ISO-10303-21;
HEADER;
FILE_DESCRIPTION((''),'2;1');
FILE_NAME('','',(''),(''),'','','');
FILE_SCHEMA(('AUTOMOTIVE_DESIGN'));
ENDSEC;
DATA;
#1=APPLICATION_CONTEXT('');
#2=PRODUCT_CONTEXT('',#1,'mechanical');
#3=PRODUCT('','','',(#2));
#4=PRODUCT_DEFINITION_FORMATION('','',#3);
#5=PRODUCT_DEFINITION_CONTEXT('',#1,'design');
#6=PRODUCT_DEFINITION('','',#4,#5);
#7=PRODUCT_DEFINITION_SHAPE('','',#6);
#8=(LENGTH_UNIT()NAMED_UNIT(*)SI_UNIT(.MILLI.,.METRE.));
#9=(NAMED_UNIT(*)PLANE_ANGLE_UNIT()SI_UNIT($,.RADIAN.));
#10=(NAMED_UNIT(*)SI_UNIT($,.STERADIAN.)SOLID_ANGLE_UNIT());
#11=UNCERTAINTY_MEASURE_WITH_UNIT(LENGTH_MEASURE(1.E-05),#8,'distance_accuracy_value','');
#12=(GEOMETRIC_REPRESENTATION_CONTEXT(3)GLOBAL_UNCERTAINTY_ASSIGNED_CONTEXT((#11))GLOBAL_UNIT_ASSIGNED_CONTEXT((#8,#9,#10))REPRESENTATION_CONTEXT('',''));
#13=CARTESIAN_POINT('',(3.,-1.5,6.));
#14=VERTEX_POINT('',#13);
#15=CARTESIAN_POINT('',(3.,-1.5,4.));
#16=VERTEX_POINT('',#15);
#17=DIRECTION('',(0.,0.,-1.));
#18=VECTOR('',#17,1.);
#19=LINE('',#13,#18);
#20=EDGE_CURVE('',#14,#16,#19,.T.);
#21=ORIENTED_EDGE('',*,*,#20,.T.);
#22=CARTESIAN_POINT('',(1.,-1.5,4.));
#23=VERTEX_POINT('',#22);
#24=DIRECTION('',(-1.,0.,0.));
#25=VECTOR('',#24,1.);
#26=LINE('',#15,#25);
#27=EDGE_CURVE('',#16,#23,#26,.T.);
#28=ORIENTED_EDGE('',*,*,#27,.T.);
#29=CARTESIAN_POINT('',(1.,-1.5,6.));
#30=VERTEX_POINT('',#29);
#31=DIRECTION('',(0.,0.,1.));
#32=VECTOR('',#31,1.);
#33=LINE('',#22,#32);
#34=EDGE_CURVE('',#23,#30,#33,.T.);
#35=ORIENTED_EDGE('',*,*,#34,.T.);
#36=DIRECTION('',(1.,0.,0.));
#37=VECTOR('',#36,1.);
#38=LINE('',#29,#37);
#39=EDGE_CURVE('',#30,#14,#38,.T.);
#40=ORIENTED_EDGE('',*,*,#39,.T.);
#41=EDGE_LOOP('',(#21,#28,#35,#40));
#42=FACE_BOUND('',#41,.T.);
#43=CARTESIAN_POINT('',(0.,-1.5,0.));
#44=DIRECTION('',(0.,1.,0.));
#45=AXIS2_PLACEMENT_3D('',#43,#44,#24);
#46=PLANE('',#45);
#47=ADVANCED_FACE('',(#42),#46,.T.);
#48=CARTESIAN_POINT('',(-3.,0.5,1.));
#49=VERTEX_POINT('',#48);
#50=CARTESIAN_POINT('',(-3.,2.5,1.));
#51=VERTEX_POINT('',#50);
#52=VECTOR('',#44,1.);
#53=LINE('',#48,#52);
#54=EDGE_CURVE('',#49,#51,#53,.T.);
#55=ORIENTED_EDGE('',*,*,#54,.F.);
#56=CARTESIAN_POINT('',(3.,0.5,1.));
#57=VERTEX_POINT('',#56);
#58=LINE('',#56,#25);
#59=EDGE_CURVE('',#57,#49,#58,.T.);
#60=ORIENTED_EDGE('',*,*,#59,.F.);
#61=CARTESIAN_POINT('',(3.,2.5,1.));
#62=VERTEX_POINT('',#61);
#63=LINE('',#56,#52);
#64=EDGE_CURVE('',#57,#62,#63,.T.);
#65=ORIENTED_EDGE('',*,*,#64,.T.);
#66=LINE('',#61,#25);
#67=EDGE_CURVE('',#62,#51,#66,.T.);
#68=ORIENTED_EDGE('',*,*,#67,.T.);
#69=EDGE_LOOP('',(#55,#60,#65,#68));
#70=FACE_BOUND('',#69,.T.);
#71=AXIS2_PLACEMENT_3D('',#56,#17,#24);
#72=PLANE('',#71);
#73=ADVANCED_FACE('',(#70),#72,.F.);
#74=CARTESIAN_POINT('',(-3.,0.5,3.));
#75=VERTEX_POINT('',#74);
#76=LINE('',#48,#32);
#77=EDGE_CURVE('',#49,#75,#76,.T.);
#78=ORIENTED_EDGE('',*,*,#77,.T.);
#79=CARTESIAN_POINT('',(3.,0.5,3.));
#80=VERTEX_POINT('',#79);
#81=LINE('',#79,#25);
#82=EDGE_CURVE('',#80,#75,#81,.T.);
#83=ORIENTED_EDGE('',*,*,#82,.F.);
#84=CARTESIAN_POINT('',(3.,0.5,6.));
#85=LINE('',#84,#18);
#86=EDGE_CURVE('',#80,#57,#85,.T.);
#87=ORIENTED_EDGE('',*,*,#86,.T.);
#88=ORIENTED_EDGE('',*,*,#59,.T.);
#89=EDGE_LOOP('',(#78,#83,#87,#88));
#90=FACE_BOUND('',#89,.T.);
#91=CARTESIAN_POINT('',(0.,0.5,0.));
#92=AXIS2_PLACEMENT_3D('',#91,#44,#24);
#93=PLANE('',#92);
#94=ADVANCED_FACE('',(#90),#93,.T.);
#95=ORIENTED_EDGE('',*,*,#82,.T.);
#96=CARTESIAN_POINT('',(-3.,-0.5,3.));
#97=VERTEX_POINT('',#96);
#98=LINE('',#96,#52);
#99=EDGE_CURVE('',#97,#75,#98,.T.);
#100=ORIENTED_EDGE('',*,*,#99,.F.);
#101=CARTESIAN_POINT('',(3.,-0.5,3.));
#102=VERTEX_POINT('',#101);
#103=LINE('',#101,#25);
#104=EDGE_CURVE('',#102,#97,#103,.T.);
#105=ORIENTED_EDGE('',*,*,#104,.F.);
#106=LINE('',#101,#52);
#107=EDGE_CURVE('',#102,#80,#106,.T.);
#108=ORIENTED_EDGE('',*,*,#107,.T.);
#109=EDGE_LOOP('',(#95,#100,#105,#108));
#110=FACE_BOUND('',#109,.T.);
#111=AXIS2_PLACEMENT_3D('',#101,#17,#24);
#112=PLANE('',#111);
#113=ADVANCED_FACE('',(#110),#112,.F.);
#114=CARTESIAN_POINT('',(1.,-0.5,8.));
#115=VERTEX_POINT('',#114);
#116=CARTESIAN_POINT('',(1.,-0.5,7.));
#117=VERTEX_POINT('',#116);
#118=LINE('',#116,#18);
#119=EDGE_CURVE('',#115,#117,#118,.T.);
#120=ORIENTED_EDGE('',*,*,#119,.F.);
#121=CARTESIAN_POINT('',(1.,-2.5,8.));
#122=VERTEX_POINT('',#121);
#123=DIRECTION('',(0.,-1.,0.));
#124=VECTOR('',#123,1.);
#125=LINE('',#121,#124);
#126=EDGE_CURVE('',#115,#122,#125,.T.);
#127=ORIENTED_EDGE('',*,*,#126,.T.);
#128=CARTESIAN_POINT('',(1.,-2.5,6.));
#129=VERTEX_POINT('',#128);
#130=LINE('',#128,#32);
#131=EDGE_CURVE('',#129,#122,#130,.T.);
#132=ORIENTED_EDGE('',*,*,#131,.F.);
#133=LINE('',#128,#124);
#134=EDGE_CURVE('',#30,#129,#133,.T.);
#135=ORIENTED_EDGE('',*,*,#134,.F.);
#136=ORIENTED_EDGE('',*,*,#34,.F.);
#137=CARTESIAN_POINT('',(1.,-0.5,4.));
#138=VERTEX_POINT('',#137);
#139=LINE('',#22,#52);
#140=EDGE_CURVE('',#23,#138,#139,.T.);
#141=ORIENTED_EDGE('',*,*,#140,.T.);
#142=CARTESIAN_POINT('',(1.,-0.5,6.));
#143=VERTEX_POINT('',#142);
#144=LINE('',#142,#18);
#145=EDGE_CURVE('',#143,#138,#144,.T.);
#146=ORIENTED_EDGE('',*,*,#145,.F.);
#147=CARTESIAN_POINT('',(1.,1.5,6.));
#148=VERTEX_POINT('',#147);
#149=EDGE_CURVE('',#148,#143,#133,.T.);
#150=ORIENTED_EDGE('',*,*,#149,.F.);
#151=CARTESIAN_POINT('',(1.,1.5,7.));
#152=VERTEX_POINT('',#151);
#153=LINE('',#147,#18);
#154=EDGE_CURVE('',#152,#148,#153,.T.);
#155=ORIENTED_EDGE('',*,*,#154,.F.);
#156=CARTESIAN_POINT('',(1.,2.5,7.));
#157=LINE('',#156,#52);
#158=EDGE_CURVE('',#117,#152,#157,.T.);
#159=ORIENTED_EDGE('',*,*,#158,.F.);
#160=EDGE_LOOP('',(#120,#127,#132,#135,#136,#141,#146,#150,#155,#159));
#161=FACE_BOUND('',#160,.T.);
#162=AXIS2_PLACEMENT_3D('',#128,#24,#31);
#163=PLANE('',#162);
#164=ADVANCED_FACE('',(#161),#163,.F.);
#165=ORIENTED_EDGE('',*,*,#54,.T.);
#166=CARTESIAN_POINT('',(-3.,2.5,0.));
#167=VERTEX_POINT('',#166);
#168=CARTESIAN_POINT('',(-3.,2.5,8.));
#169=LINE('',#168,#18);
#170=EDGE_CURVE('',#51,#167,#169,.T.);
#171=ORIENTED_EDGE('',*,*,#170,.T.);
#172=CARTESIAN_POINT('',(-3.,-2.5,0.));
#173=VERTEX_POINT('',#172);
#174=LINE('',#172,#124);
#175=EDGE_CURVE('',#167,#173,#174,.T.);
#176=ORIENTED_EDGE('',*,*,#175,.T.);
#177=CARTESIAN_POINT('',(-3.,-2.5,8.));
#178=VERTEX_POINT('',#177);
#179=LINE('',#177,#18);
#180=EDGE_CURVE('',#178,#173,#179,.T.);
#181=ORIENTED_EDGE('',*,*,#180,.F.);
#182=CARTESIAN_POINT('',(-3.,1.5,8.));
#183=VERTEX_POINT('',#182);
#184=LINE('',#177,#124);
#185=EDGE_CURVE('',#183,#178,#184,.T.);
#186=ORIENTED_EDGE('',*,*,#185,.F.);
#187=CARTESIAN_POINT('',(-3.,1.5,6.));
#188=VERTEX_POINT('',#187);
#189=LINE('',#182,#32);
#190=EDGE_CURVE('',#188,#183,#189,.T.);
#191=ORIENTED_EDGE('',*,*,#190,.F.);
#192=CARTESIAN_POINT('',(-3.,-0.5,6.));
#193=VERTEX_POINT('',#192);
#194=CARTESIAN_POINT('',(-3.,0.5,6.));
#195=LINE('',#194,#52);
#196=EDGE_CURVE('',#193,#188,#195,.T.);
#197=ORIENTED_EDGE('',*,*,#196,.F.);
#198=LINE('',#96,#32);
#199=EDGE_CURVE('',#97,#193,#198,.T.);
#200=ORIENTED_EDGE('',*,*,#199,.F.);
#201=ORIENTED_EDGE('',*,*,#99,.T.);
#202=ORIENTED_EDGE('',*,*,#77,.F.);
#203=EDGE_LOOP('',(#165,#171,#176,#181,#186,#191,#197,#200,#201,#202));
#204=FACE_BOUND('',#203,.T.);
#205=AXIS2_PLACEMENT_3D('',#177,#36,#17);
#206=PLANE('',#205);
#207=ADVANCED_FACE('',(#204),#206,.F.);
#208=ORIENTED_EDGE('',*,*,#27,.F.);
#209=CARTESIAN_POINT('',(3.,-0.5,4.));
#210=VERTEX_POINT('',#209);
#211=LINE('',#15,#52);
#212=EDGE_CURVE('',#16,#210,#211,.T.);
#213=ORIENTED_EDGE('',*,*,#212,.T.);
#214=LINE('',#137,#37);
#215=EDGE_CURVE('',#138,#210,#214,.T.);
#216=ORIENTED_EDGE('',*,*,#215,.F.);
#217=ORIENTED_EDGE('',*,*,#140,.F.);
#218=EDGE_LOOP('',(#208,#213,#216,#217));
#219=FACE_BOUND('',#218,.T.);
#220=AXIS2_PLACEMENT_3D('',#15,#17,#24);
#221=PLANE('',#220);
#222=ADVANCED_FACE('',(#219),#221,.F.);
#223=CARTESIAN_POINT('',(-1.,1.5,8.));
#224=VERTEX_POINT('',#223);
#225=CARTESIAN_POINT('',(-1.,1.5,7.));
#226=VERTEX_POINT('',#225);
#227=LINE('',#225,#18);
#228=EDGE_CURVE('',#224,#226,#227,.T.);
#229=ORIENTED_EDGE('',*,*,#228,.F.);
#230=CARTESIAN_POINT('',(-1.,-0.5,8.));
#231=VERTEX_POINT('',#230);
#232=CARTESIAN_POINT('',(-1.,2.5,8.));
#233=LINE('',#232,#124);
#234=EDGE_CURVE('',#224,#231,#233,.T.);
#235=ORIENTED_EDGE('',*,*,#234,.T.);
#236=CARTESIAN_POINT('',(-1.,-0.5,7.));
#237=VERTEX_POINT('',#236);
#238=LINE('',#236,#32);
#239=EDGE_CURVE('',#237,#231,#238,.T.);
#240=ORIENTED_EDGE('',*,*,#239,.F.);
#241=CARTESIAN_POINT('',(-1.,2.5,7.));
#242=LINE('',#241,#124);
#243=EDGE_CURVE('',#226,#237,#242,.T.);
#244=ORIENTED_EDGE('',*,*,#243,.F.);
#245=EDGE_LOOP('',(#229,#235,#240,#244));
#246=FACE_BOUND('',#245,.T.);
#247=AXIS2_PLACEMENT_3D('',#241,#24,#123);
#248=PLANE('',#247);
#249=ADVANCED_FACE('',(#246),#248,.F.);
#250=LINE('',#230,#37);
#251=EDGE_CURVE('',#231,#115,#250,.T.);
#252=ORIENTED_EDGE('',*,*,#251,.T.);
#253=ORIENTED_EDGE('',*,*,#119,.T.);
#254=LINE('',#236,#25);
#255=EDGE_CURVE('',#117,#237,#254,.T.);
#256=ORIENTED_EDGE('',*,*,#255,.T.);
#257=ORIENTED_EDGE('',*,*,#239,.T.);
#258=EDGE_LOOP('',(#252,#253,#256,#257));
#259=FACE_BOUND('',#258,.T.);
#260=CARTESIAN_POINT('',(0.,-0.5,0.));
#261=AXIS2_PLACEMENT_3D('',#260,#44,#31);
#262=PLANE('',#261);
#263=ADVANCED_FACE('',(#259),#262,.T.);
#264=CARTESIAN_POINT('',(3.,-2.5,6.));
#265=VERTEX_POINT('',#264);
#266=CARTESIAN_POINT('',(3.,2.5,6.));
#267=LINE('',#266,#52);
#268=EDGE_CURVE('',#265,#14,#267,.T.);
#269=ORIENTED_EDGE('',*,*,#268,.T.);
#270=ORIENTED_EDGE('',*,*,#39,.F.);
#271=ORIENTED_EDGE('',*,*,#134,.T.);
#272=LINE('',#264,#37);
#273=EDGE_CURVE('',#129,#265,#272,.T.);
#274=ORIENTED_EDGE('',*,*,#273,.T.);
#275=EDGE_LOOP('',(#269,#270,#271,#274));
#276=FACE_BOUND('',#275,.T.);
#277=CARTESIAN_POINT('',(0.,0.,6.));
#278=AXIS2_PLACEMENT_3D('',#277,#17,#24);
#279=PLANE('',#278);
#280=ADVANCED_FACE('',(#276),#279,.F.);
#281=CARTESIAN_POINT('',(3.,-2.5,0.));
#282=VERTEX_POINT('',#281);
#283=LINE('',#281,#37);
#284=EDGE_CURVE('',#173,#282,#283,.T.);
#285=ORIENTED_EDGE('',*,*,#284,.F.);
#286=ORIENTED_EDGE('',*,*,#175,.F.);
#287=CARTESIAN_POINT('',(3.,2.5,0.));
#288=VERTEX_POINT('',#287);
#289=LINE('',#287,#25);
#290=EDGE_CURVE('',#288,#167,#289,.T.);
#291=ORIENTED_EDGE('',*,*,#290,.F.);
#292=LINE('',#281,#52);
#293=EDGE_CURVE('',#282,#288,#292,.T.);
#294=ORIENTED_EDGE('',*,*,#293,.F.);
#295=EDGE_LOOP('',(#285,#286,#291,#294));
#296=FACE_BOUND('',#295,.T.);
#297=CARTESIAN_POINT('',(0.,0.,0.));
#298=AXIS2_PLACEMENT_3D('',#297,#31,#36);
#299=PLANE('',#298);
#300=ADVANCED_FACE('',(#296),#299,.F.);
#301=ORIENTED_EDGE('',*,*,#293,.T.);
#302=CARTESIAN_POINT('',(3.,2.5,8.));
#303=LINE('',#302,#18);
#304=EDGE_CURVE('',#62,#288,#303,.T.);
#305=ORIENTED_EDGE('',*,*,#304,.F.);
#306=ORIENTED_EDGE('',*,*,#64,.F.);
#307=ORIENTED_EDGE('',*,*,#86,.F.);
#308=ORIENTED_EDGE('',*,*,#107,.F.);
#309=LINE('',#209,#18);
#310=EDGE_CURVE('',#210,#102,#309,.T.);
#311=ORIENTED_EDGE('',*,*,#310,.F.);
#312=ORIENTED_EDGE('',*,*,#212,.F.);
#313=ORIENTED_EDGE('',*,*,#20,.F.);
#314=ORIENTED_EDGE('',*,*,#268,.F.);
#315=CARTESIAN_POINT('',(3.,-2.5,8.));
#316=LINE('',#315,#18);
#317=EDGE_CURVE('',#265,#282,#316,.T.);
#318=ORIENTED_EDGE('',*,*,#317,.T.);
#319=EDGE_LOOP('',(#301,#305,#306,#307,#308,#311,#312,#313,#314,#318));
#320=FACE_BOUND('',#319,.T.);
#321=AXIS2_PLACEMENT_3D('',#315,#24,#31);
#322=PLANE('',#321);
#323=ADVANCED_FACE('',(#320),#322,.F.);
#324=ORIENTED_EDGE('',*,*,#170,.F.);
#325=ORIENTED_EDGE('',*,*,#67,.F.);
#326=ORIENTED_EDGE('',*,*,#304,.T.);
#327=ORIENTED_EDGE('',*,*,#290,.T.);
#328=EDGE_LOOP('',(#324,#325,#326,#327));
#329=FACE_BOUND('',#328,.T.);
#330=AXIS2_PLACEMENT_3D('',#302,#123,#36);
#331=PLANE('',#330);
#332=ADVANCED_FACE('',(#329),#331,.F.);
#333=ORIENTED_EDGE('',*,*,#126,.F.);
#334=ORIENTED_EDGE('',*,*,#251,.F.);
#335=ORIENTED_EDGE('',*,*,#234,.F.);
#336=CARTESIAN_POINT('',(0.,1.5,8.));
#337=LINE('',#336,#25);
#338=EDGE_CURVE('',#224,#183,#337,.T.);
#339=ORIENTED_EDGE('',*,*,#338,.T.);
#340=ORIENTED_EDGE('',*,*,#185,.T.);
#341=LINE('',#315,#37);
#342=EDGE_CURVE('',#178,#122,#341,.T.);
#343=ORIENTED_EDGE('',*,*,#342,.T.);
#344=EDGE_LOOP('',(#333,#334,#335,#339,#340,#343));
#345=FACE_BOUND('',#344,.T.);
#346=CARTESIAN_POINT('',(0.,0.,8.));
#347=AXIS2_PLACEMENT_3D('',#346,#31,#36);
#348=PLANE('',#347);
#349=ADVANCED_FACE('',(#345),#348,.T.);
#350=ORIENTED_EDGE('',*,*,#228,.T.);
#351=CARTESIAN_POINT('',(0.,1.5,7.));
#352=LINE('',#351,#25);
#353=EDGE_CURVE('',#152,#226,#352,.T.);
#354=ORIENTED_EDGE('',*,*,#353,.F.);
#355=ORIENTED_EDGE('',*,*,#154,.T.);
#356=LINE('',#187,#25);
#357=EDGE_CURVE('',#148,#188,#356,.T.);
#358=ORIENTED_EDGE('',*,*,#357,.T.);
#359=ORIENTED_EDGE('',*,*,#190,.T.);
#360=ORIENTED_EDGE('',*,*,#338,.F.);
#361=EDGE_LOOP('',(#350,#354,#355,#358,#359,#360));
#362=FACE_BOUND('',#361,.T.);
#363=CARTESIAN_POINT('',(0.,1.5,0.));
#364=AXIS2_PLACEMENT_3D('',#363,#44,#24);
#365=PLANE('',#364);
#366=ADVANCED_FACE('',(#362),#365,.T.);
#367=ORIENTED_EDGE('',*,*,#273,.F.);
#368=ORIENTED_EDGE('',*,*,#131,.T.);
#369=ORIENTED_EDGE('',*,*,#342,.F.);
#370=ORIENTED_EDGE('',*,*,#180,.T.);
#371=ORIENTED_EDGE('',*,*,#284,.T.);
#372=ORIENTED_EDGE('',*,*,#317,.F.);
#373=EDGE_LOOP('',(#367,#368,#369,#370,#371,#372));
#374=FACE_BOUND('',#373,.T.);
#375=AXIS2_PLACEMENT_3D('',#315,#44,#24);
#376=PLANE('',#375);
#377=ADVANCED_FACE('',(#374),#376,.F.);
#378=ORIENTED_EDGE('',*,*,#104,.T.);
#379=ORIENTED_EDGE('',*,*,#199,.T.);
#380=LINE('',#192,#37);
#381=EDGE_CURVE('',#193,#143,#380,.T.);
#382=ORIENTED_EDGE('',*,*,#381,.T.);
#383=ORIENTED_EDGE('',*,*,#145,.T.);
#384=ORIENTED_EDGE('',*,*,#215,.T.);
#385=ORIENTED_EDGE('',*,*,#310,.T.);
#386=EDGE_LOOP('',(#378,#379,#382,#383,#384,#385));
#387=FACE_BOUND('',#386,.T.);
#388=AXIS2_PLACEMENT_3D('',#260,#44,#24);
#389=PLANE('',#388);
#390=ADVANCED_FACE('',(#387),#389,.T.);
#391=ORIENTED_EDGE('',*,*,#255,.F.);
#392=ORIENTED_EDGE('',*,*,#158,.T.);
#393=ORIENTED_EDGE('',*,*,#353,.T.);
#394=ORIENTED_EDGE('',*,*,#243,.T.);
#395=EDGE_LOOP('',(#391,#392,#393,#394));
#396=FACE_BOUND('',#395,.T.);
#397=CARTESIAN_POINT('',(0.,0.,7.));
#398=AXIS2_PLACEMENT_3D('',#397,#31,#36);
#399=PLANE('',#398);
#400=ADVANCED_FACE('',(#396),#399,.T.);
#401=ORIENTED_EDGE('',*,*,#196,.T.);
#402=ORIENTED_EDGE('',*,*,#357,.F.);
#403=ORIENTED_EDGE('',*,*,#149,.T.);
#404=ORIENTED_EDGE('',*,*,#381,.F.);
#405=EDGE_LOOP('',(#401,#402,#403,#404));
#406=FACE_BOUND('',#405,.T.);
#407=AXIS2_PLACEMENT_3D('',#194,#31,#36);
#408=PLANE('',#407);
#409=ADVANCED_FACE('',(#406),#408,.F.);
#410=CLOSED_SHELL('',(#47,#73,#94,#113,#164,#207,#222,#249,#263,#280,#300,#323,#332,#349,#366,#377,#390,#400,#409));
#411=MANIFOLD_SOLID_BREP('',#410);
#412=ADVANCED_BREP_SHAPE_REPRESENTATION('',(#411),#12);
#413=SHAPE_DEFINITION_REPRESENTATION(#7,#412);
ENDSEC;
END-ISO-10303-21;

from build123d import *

# Parameters (mm, degrees)
SKETCH1_W           = 6
SKETCH1_H           = 5
BOSS_EXTRUDE1_DEPTH = 8
SKETCH3_W           = 2
SKETCH3_H           = 5
CUT_EXTRUDE1_DEPTH  = 2
SKETCH4_W           = 2
SKETCH4_H           = 2
CUT_EXTRUDE2_DEPTH  = 1
SKETCH5_W           = 6
SKETCH5_H           = 5
CUT_EXTRUDE3_DEPTH  = 2
SKETCH6_W           = 2
SKETCH6_H           = 2
CUT_EXTRUDE4_DEPTH  = 2
CUT_EXTRUDE5_DEPTH  = 1
SKETCH8_W           = 8.535402973
SKETCH8_H           = 3.487061374
CUT_EXTRUDE6_DEPTH  = 1
SKETCH9_W           = 2
SKETCH9_H           = 1
CUT_EXTRUDE7_DEPTH  = 1


with BuildPart() as part:
    # Sketch1 → Boss-Extrude1 (new body)
    with BuildSketch(Plane.XY):
        Rectangle(SKETCH1_W, SKETCH1_H)
    extrude(amount=BOSS_EXTRUDE1_DEPTH)

    # Sketch3 → Cut-Extrude1 (cut)
    with BuildSketch(Plane.XY.offset(8)):
        with Locations((2, 0)):
            Rectangle(SKETCH3_W, SKETCH3_H)
    extrude(amount=-CUT_EXTRUDE1_DEPTH, mode=Mode.SUBTRACT)

    # Sketch4 → Cut-Extrude2 (cut)
    with BuildSketch(Plane.XY.offset(8)):
        with Locations((0, 1.5)):
            Rectangle(SKETCH4_W, SKETCH4_H)
    extrude(amount=-CUT_EXTRUDE2_DEPTH, mode=Mode.SUBTRACT)

    # Sketch5 → Cut-Extrude3 (cut)
    with BuildSketch(Plane(origin=(0, 2.5, 0), x_dir=(1, 0, 0), z_dir=(0, 1, 0))):
        with Locations((0, -3.5)):
            Rectangle(SKETCH5_W, SKETCH5_H)
    extrude(amount=-CUT_EXTRUDE3_DEPTH, mode=Mode.SUBTRACT)

    # Sketch6 → Cut-Extrude4 (cut)
    with BuildSketch(Plane(origin=(0, 0.5, 0), x_dir=(1, 0, 0), z_dir=(0, 1, 0))):
        with Locations((2, -5)):
            Rectangle(SKETCH6_W, SKETCH6_H)
    extrude(amount=-CUT_EXTRUDE4_DEPTH, mode=Mode.SUBTRACT)

    # Sketch7 → Cut-Extrude5 (cut)
    with BuildSketch(Plane(origin=(0, 0.5, 0), x_dir=(1, 0, 0), z_dir=(0, 1, 0))):
        Polygon((3, -4), (3, -3), (-3, -3), (-3, -6), (1, -6), (1, -4), align=None)
    extrude(amount=-CUT_EXTRUDE5_DEPTH, mode=Mode.SUBTRACT)

    # Sketch8 → Cut-Extrude6 (cut)
    with BuildSketch(Plane(origin=(0, 2.5, 0), x_dir=(1, 0, 0), z_dir=(0, 1, 0))):
        with Locations((-0.885821847, -7.448525998)):
            Rectangle(SKETCH8_W, SKETCH8_H)
    extrude(amount=-CUT_EXTRUDE6_DEPTH, mode=Mode.SUBTRACT)

    # Sketch9 → Cut-Extrude7 (cut)
    with BuildSketch(Plane(origin=(0, 0.5, 0), x_dir=(1, 0, 0), z_dir=(0, 1, 0))):
        with Locations((0, -7.5)):
            Rectangle(SKETCH9_W, SKETCH9_H)
    extrude(amount=-CUT_EXTRUDE7_DEPTH, mode=Mode.SUBTRACT)


solid = part.part
